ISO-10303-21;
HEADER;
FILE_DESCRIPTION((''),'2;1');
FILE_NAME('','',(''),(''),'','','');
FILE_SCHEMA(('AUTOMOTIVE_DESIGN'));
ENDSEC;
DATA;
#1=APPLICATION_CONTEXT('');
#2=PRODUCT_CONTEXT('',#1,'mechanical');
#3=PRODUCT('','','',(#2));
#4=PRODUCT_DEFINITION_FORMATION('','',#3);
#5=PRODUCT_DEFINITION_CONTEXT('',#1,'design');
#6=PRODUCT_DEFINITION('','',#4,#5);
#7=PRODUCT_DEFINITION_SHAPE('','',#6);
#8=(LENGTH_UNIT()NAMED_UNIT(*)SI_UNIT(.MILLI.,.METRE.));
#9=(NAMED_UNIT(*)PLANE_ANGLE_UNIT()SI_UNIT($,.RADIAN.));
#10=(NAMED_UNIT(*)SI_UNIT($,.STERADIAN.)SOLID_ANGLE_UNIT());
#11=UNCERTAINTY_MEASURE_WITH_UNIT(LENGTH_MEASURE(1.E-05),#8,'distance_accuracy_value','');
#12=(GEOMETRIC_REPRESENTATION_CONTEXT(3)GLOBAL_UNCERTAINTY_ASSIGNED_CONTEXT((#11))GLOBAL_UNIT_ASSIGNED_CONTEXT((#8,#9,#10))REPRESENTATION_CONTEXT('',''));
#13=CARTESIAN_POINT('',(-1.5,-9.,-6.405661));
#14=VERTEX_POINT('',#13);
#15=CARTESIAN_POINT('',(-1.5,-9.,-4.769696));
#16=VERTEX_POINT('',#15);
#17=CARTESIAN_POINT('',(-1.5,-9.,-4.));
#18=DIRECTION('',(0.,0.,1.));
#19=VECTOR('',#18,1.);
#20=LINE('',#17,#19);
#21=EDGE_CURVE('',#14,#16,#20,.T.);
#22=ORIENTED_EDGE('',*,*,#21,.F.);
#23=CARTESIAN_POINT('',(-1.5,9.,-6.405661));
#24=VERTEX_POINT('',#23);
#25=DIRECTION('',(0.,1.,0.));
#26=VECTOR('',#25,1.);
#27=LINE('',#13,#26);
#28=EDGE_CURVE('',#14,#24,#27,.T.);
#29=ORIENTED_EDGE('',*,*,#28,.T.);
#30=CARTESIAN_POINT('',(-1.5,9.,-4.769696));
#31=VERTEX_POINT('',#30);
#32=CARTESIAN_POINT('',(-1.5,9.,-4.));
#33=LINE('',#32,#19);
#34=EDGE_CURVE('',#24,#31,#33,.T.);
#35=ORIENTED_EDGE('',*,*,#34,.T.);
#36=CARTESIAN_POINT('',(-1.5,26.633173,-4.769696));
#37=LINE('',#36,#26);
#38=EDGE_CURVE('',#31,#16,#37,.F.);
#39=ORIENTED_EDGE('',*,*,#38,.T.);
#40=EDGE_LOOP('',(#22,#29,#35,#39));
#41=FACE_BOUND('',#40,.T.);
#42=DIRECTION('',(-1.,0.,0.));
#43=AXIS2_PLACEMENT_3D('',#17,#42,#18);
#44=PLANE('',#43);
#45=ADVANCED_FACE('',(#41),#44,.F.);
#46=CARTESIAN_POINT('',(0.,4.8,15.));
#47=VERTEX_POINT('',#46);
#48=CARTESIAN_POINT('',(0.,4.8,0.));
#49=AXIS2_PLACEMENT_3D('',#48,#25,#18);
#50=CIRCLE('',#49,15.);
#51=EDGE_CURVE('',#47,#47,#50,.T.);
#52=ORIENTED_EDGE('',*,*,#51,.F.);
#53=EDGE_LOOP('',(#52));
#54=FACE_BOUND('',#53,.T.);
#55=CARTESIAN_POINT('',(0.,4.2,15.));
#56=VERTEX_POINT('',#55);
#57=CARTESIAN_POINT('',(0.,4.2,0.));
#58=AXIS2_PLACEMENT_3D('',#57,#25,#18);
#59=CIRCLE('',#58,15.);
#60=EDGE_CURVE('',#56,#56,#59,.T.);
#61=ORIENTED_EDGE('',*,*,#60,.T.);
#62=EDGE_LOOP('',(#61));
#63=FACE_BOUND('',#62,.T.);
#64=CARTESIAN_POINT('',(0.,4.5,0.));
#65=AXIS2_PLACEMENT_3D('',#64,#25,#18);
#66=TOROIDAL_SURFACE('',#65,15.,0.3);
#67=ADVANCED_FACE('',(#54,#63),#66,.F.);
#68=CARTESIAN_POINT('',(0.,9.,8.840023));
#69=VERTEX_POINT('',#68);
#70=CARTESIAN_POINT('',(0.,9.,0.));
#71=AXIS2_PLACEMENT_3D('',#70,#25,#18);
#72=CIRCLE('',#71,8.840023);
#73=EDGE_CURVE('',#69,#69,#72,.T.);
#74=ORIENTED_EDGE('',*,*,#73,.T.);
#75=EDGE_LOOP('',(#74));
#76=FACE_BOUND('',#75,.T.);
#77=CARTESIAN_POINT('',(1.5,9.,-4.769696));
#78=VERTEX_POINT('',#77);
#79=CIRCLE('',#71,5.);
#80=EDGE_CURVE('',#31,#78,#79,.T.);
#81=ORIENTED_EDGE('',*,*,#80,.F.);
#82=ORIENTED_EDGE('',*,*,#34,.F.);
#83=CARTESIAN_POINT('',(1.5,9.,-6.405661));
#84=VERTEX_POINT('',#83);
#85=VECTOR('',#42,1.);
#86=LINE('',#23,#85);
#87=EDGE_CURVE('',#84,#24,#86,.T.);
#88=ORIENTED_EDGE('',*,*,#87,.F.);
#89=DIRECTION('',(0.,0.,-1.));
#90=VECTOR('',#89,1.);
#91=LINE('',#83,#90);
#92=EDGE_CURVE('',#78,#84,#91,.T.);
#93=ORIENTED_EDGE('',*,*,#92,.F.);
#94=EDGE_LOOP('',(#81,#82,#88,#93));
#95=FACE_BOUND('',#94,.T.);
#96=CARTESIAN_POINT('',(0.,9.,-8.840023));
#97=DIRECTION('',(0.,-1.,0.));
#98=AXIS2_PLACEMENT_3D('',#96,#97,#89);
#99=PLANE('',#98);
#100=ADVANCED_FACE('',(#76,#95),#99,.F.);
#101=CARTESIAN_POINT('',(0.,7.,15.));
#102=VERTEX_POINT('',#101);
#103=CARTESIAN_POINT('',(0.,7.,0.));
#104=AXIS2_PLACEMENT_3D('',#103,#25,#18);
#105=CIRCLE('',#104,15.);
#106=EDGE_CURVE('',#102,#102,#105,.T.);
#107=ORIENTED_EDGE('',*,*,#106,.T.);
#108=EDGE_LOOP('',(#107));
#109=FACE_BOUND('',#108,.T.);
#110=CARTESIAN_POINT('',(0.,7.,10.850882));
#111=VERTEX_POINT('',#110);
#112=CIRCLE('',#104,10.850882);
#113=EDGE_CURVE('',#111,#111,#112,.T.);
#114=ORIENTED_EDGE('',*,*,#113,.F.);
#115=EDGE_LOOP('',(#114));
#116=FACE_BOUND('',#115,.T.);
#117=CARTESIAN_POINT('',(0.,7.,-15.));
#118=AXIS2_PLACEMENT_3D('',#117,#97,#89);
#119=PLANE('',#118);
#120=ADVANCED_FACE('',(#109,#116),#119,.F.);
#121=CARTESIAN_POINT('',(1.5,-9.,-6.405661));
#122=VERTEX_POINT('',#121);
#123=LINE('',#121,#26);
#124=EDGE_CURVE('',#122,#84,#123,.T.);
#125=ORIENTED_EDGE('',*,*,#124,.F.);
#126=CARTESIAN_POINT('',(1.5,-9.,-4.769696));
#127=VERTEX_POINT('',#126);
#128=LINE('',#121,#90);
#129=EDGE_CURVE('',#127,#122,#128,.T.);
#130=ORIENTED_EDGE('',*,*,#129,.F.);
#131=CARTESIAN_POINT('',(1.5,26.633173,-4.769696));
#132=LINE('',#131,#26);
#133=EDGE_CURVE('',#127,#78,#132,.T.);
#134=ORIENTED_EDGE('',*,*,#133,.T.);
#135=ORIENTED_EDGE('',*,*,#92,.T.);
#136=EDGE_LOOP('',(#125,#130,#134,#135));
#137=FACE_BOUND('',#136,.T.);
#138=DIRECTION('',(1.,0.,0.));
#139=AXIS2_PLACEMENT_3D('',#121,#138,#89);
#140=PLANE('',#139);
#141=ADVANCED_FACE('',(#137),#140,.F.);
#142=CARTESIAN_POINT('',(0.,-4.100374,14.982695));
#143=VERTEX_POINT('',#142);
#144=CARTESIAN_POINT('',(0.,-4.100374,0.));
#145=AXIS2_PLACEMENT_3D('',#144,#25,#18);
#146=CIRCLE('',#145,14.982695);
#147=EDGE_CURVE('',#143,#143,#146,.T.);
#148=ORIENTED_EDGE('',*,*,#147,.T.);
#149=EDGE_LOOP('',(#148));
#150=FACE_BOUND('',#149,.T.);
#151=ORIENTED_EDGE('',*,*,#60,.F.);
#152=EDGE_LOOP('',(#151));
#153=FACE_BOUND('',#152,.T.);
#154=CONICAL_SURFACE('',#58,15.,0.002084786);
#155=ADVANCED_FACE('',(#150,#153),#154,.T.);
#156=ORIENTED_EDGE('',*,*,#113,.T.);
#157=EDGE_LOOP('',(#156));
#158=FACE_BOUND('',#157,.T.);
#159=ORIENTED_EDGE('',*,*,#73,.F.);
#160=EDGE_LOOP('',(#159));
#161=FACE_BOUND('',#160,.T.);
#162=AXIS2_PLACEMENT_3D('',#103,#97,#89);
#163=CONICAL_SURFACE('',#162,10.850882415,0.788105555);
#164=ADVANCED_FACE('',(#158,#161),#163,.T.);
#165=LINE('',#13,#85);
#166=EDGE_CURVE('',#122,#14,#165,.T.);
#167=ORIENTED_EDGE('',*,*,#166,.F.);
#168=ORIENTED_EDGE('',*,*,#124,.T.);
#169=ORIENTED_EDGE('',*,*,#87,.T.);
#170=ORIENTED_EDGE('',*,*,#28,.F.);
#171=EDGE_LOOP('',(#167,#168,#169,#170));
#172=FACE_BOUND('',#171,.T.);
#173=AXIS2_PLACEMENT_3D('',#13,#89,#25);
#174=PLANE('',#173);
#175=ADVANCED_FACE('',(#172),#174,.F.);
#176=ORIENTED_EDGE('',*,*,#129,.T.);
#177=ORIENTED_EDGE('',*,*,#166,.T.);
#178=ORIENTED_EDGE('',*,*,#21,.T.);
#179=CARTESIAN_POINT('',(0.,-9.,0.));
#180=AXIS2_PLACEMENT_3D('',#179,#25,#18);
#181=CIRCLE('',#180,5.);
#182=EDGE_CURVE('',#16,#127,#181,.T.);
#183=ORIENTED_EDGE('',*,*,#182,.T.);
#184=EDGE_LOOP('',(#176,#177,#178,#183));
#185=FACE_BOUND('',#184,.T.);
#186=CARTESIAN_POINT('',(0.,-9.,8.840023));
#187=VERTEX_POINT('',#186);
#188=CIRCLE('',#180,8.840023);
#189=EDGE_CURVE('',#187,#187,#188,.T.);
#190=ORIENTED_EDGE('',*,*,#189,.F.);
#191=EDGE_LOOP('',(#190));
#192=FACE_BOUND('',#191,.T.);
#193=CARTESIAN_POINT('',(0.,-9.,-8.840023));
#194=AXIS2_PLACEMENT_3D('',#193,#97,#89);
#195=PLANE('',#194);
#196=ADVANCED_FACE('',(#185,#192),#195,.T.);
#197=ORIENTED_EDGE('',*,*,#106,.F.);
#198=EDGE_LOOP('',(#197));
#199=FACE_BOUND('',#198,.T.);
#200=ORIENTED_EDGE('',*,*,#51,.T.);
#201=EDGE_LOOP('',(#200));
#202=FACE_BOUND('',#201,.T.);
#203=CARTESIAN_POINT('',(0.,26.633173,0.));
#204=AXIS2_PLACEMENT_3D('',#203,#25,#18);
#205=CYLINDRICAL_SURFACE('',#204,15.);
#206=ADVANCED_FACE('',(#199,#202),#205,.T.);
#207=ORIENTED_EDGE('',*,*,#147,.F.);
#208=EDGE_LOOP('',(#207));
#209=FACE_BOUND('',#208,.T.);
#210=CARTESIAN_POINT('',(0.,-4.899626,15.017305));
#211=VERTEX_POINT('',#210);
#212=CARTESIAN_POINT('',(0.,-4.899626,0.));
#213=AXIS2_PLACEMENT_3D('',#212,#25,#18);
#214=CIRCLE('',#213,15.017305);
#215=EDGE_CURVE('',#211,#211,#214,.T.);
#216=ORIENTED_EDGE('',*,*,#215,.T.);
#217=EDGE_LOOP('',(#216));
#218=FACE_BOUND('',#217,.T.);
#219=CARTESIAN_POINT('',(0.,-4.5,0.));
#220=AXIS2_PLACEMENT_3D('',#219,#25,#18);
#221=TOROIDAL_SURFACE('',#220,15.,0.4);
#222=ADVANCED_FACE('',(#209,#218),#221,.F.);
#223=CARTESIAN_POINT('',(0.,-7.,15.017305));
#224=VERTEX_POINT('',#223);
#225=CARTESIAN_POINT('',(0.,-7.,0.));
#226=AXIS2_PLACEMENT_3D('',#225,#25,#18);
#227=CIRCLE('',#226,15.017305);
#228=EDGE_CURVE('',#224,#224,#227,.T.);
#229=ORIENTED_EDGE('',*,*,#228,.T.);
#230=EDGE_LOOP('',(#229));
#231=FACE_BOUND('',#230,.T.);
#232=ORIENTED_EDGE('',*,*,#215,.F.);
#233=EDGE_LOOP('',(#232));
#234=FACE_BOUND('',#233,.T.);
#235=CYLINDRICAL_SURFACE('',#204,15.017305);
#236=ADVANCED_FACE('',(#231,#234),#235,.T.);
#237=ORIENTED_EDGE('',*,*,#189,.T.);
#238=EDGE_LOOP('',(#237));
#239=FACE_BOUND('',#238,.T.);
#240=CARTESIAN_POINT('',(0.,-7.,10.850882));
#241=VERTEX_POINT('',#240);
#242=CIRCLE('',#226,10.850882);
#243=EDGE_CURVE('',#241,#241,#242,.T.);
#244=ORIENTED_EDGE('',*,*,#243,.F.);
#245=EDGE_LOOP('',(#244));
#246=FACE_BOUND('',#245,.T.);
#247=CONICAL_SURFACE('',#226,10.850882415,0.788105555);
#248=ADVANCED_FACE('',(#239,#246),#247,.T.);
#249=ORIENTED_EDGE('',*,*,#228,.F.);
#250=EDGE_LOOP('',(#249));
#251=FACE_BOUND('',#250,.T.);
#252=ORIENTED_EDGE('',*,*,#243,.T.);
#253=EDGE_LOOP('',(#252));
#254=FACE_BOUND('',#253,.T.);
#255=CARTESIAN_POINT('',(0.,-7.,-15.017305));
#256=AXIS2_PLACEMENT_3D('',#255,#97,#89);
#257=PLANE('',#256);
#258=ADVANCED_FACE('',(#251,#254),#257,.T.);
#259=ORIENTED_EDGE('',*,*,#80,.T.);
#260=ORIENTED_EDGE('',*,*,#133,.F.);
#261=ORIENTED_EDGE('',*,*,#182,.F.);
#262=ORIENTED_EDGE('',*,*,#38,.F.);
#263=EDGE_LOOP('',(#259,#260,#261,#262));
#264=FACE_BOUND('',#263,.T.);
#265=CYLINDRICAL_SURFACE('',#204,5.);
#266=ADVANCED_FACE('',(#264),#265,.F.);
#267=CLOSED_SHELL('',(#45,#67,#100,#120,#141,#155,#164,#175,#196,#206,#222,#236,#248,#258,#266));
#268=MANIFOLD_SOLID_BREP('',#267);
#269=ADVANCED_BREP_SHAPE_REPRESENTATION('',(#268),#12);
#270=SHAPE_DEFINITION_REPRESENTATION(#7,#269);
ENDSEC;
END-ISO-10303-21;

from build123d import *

# Parameters (mm, degrees)
SKETCH_2_W          = 3
SKETCH_2_H          = 2.405661247
CUT_EXTRUDE_1_DEPTH = 19


with BuildPart() as part:
    # Эскиз1 → Повернуть1 (revolve)
    with BuildSketch(Plane(origin=(0, 0, 0), x_dir=(0, 0, -1), z_dir=(1, 0, 0))):
        with BuildLine():
            Line((15, 7), (15, 4.8))
            ThreePointArc((15, 4.8), (14.7, 4.5), (15, 4.2))
            Line((15, 4.2), (14.982695469, -4.100374484))
            ThreePointArc((14.982695469, -4.100374484), (14.600374484, -4.517304531), (15.017304531, -4.899625516))
            Line((15.017304531, -4.899625516), (15.017304531, -7))
            Line((15.017304531, -7), (10.850882415, -7))
            Line((10.850882415, -7), (8.840023423, -9))
            Line((8.840023423, -9), (5, -9))
            Line((5, -9), (5, 9))
            Line((5, 9), (8.840023423, 9))
            Line((8.840023423, 9), (10.850882415, 7))
            Line((10.850882415, 7), (15, 7))
        make_face()
    revolve(axis=Axis((0, 26.633173064, 0), (0, -1, 0)))

    # Эскиз2 → Вырез-Вытянуть1 (cut, through all)
    with BuildSketch(Plane(origin=(0, 9, 0), x_dir=(1, 0, 0), z_dir=(0, 1, 0))):
        with Locations((0, 5.202830624)):
            Rectangle(SKETCH_2_W, SKETCH_2_H)
    extrude(amount=-CUT_EXTRUDE_1_DEPTH, mode=Mode.SUBTRACT)


solid = part.part
